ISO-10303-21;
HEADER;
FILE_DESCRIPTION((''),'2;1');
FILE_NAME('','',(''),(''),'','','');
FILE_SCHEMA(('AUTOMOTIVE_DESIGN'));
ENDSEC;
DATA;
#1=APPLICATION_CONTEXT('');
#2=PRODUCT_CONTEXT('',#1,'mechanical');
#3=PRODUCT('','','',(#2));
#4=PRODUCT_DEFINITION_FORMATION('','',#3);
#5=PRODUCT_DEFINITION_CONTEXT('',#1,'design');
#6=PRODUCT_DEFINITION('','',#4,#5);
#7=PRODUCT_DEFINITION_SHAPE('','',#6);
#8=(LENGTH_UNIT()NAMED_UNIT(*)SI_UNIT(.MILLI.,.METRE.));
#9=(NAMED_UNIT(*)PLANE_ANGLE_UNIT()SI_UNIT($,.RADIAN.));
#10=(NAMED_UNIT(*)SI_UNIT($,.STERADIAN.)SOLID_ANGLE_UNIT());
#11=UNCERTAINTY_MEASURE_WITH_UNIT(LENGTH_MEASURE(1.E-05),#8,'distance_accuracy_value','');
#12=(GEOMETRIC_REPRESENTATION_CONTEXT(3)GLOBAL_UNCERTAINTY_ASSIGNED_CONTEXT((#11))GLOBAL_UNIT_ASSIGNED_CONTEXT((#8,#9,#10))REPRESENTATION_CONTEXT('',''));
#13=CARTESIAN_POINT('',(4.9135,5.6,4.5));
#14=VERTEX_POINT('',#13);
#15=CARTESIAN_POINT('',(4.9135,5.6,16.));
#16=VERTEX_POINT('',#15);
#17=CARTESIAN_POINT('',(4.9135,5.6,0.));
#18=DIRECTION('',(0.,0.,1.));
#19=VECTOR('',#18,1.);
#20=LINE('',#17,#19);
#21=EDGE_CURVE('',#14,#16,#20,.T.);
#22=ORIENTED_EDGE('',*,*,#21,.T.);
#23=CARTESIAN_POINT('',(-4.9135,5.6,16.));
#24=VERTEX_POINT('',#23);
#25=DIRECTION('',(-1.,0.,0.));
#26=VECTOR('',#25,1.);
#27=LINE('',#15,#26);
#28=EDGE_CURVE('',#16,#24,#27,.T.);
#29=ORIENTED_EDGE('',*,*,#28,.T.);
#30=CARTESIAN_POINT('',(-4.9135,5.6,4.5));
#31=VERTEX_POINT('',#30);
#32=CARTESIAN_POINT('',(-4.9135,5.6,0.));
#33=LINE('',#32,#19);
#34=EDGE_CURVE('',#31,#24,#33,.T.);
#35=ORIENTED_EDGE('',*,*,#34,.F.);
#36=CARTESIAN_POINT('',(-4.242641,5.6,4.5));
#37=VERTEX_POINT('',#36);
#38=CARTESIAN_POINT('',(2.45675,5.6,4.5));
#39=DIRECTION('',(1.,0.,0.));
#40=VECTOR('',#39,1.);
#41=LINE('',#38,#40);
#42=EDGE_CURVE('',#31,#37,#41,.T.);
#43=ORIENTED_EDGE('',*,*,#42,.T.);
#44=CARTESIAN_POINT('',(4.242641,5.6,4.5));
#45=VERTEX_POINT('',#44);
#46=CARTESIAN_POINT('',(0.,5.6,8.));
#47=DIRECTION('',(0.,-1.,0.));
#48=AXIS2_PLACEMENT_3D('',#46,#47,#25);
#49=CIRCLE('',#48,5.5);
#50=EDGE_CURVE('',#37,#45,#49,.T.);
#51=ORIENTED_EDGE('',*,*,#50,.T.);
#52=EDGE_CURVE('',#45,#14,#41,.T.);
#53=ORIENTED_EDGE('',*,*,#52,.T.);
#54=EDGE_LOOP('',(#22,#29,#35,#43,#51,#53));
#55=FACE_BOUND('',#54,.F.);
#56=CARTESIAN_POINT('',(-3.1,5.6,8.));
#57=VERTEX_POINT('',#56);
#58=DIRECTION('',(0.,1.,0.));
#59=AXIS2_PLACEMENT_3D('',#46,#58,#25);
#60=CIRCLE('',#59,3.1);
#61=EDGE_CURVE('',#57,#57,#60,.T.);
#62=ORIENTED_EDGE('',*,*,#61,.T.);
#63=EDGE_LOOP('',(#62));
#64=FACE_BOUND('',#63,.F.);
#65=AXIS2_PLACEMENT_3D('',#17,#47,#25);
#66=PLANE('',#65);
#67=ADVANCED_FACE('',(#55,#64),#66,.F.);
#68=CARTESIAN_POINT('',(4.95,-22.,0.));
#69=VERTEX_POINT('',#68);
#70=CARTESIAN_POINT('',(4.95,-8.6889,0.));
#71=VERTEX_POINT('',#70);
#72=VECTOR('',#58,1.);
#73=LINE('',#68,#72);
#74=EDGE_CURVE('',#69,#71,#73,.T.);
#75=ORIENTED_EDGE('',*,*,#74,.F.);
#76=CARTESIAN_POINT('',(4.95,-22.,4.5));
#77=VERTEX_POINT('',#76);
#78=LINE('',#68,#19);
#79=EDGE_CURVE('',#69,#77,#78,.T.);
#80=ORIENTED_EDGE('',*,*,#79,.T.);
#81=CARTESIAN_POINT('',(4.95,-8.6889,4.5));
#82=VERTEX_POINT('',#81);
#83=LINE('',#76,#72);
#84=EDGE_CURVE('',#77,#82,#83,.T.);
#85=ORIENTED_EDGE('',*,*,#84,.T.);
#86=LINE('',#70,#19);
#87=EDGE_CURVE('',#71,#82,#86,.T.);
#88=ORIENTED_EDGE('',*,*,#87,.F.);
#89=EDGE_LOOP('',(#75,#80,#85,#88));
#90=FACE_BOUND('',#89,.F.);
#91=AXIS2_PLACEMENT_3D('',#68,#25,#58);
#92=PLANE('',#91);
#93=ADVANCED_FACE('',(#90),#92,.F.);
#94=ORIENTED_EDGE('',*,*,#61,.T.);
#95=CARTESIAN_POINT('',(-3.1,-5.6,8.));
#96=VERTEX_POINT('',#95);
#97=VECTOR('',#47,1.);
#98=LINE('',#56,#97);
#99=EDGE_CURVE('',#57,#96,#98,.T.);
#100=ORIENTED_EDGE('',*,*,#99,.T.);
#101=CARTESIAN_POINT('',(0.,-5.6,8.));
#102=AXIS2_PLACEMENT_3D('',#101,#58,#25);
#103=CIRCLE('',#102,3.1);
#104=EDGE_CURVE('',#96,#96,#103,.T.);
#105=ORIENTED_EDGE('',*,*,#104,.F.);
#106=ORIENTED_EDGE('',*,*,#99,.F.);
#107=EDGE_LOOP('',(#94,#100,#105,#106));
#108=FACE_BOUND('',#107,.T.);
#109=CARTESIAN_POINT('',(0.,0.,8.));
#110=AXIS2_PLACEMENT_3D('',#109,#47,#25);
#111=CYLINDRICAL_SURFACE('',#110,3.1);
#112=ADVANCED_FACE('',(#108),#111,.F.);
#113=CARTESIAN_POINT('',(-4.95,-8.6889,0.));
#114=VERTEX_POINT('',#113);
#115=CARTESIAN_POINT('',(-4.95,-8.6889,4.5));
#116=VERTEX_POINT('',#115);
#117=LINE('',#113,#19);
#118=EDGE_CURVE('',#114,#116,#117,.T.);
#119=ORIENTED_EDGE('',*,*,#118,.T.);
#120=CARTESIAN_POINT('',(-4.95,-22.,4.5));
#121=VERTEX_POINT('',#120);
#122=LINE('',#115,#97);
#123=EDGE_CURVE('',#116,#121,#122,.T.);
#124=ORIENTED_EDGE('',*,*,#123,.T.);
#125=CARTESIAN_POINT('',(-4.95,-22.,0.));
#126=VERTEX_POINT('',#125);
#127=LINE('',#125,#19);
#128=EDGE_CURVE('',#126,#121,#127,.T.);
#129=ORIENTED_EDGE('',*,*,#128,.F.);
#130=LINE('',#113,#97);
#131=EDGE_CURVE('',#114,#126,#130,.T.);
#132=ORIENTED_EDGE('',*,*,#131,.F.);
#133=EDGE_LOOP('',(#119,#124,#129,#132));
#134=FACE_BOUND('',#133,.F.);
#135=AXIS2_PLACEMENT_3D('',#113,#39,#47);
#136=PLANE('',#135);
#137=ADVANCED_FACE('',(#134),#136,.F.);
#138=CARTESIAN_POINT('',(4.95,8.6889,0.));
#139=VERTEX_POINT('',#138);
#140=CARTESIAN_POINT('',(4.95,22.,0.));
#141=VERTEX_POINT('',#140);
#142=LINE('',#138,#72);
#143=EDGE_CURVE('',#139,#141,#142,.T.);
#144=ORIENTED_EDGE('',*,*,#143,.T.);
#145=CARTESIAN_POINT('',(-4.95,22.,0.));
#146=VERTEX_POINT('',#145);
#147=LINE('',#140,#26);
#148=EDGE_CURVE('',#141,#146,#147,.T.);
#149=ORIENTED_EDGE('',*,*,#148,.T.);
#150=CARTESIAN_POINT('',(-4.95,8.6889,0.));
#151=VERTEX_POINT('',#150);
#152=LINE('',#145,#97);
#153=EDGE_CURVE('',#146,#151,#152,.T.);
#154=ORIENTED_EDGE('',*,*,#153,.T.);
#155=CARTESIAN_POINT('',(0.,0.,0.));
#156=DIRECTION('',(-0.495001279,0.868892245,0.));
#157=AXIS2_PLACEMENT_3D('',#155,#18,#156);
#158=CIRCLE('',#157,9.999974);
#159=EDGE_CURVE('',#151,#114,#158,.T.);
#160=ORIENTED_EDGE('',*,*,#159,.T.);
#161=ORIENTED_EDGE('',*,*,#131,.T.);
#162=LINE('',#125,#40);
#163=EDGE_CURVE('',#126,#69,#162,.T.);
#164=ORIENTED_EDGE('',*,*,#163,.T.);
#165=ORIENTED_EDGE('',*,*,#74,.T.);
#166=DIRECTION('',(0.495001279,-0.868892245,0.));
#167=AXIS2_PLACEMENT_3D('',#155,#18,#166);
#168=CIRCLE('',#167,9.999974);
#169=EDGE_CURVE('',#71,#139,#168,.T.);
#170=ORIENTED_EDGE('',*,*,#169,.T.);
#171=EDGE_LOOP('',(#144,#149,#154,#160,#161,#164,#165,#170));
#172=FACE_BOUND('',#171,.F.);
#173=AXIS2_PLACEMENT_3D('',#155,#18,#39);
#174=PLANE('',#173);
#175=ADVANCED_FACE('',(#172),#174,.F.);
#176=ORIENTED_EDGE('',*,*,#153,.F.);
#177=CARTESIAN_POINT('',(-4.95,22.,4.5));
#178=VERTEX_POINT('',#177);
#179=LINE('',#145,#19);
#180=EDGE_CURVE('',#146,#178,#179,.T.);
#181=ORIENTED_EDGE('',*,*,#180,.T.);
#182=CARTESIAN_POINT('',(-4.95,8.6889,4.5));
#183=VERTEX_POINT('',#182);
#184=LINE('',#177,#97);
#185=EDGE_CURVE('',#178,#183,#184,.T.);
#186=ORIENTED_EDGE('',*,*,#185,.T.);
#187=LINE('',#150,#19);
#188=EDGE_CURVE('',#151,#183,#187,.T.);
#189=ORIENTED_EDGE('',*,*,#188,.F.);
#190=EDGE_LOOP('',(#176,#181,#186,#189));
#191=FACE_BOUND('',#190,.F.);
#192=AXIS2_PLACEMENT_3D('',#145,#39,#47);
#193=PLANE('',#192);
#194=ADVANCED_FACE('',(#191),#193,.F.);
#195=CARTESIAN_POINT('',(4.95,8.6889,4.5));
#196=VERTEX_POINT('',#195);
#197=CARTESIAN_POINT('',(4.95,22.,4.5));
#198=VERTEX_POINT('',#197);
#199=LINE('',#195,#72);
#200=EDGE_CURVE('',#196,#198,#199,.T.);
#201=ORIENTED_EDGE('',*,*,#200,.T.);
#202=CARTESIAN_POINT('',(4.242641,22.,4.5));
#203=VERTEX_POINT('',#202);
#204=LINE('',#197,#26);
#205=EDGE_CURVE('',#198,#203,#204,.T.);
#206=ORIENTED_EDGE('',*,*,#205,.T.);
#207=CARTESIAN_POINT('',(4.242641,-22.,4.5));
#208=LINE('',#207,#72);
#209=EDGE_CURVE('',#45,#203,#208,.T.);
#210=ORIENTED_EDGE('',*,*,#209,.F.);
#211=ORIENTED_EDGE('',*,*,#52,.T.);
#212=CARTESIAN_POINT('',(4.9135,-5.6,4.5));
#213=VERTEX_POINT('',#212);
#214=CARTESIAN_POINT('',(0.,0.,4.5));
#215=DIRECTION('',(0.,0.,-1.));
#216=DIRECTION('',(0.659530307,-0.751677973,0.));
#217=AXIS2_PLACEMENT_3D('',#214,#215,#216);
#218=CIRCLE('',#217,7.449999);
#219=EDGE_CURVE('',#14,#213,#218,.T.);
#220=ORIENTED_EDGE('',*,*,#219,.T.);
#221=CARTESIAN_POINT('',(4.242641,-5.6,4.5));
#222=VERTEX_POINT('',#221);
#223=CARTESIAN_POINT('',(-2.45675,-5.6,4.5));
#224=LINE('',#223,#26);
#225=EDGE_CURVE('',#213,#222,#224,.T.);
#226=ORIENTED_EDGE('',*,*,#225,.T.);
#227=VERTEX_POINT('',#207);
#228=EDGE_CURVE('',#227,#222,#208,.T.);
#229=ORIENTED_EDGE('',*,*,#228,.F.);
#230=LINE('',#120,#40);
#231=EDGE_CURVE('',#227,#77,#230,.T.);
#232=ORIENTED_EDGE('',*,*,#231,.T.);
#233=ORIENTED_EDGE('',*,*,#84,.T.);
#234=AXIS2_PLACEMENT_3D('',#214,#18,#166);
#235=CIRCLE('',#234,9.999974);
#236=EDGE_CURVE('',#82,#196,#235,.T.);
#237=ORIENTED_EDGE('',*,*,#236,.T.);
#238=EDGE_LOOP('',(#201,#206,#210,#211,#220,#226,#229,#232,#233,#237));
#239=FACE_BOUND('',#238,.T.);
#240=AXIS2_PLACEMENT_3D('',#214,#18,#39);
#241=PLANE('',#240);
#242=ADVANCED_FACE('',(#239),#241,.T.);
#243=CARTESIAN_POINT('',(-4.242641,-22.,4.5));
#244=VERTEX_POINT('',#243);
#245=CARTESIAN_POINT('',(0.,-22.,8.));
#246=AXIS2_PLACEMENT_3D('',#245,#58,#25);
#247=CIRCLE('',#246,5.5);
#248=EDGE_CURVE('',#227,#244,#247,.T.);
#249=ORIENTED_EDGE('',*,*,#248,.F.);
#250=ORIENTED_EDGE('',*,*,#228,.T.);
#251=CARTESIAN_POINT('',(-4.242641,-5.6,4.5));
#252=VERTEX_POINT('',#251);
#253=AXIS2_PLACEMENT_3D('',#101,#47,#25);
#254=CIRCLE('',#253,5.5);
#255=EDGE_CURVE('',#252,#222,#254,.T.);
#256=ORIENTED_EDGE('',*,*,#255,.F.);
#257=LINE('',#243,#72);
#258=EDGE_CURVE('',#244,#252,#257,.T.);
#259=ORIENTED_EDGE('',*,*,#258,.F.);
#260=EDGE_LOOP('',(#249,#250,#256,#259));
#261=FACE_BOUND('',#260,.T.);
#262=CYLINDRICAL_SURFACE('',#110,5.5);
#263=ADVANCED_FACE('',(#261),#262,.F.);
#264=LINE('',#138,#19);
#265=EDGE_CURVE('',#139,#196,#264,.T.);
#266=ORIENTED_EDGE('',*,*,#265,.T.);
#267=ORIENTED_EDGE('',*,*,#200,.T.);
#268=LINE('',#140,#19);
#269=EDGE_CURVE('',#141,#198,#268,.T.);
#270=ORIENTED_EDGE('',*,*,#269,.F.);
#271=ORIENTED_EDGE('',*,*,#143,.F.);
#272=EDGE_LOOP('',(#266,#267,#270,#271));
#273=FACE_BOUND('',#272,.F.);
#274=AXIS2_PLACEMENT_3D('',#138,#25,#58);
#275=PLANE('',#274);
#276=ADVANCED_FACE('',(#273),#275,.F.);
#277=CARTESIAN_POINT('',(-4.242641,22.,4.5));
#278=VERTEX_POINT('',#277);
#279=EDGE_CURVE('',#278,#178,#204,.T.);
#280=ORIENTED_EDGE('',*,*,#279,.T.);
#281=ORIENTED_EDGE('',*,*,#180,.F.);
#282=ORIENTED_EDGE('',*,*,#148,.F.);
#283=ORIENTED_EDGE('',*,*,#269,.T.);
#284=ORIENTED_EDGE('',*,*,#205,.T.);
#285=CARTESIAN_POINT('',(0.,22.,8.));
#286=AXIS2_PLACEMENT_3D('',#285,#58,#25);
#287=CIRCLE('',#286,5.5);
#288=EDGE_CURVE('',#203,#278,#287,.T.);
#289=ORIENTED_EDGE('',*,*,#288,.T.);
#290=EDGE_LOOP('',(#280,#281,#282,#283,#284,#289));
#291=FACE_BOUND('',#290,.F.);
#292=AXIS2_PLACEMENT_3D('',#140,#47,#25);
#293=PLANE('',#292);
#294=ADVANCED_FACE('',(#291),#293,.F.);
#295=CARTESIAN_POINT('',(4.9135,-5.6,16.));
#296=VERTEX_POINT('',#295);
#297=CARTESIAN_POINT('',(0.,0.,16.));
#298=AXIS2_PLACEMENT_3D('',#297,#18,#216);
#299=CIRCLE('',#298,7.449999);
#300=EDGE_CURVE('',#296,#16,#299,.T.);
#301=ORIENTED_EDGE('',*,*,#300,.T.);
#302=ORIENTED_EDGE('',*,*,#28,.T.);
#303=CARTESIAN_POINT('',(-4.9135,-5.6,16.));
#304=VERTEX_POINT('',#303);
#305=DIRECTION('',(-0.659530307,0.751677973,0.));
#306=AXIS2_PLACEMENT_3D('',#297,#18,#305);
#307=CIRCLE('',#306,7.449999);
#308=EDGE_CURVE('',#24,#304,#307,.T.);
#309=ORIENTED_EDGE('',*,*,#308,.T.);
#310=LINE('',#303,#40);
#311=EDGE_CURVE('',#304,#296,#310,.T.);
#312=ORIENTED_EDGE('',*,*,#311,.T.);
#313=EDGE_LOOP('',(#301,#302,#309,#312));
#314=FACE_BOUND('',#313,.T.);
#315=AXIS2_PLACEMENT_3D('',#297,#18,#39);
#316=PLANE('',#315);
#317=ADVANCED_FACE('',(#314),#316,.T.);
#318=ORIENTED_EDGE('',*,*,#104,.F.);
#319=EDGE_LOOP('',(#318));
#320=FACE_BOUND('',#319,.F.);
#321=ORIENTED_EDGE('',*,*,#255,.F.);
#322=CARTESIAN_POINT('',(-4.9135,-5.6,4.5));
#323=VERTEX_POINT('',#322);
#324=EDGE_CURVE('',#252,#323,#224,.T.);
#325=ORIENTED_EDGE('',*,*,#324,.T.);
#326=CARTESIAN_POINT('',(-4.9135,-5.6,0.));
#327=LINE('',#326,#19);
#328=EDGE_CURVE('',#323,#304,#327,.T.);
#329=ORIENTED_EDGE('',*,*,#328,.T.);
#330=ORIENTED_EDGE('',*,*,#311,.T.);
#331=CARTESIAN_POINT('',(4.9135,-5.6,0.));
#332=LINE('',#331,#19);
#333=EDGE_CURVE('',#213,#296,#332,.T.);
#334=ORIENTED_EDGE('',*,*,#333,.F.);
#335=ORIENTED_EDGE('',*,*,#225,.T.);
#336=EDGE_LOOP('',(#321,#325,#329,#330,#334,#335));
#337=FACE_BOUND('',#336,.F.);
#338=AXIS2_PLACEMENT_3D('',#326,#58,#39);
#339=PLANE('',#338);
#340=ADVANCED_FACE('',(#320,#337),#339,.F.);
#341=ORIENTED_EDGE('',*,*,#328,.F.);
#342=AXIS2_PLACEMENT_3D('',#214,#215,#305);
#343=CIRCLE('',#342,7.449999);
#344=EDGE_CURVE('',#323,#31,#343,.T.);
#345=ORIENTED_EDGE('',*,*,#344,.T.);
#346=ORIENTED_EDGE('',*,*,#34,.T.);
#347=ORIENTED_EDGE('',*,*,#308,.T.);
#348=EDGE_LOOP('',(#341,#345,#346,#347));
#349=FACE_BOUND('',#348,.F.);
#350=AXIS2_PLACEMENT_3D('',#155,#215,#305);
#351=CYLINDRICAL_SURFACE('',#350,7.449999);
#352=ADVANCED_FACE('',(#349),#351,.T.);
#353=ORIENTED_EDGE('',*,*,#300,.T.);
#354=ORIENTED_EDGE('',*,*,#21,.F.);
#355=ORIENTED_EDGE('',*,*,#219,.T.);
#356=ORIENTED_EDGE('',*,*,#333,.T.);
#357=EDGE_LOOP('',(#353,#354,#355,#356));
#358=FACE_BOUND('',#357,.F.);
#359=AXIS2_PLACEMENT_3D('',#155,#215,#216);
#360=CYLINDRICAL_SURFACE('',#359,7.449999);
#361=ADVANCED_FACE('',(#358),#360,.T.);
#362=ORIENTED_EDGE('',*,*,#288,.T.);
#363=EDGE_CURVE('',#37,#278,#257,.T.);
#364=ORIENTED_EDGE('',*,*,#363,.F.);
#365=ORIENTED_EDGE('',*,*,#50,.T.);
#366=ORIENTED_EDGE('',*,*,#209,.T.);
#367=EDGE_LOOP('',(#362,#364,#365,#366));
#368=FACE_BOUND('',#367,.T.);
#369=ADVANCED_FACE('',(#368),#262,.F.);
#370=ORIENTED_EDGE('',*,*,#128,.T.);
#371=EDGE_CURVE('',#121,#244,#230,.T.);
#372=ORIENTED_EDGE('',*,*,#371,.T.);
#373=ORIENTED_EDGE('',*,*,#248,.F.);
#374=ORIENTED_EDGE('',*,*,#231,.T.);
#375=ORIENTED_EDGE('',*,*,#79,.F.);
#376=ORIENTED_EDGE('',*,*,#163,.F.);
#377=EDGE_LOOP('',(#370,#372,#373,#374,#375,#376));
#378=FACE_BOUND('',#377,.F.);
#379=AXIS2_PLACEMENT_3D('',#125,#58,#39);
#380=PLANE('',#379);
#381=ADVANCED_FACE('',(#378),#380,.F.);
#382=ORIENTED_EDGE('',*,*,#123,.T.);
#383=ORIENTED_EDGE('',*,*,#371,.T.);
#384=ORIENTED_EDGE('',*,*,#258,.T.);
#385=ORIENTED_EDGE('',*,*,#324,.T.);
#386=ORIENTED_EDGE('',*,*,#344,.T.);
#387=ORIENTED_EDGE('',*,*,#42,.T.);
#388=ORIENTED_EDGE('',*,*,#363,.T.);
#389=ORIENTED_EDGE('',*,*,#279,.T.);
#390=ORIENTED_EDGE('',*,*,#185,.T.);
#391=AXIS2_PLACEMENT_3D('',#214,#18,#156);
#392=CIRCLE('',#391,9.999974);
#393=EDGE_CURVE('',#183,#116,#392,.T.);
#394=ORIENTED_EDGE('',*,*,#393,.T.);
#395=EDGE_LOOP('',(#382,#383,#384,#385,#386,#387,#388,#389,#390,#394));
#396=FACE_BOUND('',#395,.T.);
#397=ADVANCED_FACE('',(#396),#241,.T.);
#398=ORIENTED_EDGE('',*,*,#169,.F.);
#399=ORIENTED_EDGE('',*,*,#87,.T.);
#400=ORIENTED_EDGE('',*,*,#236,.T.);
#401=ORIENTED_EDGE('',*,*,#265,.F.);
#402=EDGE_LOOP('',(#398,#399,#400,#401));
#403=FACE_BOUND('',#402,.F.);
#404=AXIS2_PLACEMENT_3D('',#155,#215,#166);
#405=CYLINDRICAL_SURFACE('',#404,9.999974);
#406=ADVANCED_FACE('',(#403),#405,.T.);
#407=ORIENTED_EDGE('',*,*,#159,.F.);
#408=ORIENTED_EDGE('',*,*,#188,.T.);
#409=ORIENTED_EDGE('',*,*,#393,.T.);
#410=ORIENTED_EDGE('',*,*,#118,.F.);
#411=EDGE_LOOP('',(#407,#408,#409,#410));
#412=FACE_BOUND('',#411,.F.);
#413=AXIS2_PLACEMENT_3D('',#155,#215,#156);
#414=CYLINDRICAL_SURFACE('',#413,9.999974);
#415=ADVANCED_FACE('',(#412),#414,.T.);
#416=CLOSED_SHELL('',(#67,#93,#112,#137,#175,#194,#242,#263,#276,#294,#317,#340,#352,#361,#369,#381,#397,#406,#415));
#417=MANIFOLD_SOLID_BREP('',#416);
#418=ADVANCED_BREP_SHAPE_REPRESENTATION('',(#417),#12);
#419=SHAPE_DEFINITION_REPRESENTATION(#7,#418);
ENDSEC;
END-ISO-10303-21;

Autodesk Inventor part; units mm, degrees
sketch "Sketch_1" plane through (0, 0, 0) normal (0, 0, 1) x (1, 0, 0)
  arc A0 (-4.95, 8.6889) -> (-4.95, -8.6889) centre (0, 0) ccw
  line L0 (-4.95, -8.6889) -> (-4.95, -22)
  line L1 (-4.95, -22) -> (4.95, -22)
  line L2 (4.95, -22) -> (4.95, -8.6889)
  arc A1 (4.95, -8.6889) -> (4.95, 8.6889) centre (0, 0) ccw
  line L3 (4.95, 8.6889) -> (4.95, 22)
  line L4 (4.95, 22) -> (-4.95, 22)
  line L5 (-4.95, 22) -> (-4.95, 8.6889)
extrude "Extrusion1" add sketch "Sketch_1" along normal blind 4.5
sketch "Sketch_2" plane through (0, 0, 0) normal (0, 1, 0) x (-1, 0, 0)
  circle A0 centre (0, 8) radius 5.5
extrude "Extrusion2" cut sketch "Sketch_2" along normal mid plane 44
sketch "Sketch_3" plane through (0, 0, 0) normal (0, 0, 1) x (1, 0, 0)
  arc A0 (-4.9135, 5.6) -> (-4.9135, -5.6) centre (0, 0) ccw
  line L0 (-4.9135, -5.6) -> (4.9135, -5.6)
  arc A1 (4.9135, -5.6) -> (4.9135, 5.6) centre (0, 0) ccw
  line L1 (4.9135, 5.6) -> (-4.9135, 5.6)
extrude "Extrusion3" add sketch "Sketch_3" along normal blind 16
sketch "Sketch_4" plane through (0, 0, 0) normal (0, 1, 0) x (-1, 0, 0)
  circle A0 centre (0, 8) radius 3.1
extrude "Extrusion4" cut sketch "Sketch_4" along normal mid plane 11.2
ref_plane "screw_XY" through (0, 5.6, 8) normal (0, 1, 0) x (1, 0, 0)
ref_plane "screw_YZ" through (0, 5.6, 8) normal (1, 0, 0) x (0, 0, -1)
ref_plane "screw_ZX" through (0, 5.6, 8) normal (0, 0, -1) x (0, 1, 0)
properties part number "HDJSN8-45__j"
